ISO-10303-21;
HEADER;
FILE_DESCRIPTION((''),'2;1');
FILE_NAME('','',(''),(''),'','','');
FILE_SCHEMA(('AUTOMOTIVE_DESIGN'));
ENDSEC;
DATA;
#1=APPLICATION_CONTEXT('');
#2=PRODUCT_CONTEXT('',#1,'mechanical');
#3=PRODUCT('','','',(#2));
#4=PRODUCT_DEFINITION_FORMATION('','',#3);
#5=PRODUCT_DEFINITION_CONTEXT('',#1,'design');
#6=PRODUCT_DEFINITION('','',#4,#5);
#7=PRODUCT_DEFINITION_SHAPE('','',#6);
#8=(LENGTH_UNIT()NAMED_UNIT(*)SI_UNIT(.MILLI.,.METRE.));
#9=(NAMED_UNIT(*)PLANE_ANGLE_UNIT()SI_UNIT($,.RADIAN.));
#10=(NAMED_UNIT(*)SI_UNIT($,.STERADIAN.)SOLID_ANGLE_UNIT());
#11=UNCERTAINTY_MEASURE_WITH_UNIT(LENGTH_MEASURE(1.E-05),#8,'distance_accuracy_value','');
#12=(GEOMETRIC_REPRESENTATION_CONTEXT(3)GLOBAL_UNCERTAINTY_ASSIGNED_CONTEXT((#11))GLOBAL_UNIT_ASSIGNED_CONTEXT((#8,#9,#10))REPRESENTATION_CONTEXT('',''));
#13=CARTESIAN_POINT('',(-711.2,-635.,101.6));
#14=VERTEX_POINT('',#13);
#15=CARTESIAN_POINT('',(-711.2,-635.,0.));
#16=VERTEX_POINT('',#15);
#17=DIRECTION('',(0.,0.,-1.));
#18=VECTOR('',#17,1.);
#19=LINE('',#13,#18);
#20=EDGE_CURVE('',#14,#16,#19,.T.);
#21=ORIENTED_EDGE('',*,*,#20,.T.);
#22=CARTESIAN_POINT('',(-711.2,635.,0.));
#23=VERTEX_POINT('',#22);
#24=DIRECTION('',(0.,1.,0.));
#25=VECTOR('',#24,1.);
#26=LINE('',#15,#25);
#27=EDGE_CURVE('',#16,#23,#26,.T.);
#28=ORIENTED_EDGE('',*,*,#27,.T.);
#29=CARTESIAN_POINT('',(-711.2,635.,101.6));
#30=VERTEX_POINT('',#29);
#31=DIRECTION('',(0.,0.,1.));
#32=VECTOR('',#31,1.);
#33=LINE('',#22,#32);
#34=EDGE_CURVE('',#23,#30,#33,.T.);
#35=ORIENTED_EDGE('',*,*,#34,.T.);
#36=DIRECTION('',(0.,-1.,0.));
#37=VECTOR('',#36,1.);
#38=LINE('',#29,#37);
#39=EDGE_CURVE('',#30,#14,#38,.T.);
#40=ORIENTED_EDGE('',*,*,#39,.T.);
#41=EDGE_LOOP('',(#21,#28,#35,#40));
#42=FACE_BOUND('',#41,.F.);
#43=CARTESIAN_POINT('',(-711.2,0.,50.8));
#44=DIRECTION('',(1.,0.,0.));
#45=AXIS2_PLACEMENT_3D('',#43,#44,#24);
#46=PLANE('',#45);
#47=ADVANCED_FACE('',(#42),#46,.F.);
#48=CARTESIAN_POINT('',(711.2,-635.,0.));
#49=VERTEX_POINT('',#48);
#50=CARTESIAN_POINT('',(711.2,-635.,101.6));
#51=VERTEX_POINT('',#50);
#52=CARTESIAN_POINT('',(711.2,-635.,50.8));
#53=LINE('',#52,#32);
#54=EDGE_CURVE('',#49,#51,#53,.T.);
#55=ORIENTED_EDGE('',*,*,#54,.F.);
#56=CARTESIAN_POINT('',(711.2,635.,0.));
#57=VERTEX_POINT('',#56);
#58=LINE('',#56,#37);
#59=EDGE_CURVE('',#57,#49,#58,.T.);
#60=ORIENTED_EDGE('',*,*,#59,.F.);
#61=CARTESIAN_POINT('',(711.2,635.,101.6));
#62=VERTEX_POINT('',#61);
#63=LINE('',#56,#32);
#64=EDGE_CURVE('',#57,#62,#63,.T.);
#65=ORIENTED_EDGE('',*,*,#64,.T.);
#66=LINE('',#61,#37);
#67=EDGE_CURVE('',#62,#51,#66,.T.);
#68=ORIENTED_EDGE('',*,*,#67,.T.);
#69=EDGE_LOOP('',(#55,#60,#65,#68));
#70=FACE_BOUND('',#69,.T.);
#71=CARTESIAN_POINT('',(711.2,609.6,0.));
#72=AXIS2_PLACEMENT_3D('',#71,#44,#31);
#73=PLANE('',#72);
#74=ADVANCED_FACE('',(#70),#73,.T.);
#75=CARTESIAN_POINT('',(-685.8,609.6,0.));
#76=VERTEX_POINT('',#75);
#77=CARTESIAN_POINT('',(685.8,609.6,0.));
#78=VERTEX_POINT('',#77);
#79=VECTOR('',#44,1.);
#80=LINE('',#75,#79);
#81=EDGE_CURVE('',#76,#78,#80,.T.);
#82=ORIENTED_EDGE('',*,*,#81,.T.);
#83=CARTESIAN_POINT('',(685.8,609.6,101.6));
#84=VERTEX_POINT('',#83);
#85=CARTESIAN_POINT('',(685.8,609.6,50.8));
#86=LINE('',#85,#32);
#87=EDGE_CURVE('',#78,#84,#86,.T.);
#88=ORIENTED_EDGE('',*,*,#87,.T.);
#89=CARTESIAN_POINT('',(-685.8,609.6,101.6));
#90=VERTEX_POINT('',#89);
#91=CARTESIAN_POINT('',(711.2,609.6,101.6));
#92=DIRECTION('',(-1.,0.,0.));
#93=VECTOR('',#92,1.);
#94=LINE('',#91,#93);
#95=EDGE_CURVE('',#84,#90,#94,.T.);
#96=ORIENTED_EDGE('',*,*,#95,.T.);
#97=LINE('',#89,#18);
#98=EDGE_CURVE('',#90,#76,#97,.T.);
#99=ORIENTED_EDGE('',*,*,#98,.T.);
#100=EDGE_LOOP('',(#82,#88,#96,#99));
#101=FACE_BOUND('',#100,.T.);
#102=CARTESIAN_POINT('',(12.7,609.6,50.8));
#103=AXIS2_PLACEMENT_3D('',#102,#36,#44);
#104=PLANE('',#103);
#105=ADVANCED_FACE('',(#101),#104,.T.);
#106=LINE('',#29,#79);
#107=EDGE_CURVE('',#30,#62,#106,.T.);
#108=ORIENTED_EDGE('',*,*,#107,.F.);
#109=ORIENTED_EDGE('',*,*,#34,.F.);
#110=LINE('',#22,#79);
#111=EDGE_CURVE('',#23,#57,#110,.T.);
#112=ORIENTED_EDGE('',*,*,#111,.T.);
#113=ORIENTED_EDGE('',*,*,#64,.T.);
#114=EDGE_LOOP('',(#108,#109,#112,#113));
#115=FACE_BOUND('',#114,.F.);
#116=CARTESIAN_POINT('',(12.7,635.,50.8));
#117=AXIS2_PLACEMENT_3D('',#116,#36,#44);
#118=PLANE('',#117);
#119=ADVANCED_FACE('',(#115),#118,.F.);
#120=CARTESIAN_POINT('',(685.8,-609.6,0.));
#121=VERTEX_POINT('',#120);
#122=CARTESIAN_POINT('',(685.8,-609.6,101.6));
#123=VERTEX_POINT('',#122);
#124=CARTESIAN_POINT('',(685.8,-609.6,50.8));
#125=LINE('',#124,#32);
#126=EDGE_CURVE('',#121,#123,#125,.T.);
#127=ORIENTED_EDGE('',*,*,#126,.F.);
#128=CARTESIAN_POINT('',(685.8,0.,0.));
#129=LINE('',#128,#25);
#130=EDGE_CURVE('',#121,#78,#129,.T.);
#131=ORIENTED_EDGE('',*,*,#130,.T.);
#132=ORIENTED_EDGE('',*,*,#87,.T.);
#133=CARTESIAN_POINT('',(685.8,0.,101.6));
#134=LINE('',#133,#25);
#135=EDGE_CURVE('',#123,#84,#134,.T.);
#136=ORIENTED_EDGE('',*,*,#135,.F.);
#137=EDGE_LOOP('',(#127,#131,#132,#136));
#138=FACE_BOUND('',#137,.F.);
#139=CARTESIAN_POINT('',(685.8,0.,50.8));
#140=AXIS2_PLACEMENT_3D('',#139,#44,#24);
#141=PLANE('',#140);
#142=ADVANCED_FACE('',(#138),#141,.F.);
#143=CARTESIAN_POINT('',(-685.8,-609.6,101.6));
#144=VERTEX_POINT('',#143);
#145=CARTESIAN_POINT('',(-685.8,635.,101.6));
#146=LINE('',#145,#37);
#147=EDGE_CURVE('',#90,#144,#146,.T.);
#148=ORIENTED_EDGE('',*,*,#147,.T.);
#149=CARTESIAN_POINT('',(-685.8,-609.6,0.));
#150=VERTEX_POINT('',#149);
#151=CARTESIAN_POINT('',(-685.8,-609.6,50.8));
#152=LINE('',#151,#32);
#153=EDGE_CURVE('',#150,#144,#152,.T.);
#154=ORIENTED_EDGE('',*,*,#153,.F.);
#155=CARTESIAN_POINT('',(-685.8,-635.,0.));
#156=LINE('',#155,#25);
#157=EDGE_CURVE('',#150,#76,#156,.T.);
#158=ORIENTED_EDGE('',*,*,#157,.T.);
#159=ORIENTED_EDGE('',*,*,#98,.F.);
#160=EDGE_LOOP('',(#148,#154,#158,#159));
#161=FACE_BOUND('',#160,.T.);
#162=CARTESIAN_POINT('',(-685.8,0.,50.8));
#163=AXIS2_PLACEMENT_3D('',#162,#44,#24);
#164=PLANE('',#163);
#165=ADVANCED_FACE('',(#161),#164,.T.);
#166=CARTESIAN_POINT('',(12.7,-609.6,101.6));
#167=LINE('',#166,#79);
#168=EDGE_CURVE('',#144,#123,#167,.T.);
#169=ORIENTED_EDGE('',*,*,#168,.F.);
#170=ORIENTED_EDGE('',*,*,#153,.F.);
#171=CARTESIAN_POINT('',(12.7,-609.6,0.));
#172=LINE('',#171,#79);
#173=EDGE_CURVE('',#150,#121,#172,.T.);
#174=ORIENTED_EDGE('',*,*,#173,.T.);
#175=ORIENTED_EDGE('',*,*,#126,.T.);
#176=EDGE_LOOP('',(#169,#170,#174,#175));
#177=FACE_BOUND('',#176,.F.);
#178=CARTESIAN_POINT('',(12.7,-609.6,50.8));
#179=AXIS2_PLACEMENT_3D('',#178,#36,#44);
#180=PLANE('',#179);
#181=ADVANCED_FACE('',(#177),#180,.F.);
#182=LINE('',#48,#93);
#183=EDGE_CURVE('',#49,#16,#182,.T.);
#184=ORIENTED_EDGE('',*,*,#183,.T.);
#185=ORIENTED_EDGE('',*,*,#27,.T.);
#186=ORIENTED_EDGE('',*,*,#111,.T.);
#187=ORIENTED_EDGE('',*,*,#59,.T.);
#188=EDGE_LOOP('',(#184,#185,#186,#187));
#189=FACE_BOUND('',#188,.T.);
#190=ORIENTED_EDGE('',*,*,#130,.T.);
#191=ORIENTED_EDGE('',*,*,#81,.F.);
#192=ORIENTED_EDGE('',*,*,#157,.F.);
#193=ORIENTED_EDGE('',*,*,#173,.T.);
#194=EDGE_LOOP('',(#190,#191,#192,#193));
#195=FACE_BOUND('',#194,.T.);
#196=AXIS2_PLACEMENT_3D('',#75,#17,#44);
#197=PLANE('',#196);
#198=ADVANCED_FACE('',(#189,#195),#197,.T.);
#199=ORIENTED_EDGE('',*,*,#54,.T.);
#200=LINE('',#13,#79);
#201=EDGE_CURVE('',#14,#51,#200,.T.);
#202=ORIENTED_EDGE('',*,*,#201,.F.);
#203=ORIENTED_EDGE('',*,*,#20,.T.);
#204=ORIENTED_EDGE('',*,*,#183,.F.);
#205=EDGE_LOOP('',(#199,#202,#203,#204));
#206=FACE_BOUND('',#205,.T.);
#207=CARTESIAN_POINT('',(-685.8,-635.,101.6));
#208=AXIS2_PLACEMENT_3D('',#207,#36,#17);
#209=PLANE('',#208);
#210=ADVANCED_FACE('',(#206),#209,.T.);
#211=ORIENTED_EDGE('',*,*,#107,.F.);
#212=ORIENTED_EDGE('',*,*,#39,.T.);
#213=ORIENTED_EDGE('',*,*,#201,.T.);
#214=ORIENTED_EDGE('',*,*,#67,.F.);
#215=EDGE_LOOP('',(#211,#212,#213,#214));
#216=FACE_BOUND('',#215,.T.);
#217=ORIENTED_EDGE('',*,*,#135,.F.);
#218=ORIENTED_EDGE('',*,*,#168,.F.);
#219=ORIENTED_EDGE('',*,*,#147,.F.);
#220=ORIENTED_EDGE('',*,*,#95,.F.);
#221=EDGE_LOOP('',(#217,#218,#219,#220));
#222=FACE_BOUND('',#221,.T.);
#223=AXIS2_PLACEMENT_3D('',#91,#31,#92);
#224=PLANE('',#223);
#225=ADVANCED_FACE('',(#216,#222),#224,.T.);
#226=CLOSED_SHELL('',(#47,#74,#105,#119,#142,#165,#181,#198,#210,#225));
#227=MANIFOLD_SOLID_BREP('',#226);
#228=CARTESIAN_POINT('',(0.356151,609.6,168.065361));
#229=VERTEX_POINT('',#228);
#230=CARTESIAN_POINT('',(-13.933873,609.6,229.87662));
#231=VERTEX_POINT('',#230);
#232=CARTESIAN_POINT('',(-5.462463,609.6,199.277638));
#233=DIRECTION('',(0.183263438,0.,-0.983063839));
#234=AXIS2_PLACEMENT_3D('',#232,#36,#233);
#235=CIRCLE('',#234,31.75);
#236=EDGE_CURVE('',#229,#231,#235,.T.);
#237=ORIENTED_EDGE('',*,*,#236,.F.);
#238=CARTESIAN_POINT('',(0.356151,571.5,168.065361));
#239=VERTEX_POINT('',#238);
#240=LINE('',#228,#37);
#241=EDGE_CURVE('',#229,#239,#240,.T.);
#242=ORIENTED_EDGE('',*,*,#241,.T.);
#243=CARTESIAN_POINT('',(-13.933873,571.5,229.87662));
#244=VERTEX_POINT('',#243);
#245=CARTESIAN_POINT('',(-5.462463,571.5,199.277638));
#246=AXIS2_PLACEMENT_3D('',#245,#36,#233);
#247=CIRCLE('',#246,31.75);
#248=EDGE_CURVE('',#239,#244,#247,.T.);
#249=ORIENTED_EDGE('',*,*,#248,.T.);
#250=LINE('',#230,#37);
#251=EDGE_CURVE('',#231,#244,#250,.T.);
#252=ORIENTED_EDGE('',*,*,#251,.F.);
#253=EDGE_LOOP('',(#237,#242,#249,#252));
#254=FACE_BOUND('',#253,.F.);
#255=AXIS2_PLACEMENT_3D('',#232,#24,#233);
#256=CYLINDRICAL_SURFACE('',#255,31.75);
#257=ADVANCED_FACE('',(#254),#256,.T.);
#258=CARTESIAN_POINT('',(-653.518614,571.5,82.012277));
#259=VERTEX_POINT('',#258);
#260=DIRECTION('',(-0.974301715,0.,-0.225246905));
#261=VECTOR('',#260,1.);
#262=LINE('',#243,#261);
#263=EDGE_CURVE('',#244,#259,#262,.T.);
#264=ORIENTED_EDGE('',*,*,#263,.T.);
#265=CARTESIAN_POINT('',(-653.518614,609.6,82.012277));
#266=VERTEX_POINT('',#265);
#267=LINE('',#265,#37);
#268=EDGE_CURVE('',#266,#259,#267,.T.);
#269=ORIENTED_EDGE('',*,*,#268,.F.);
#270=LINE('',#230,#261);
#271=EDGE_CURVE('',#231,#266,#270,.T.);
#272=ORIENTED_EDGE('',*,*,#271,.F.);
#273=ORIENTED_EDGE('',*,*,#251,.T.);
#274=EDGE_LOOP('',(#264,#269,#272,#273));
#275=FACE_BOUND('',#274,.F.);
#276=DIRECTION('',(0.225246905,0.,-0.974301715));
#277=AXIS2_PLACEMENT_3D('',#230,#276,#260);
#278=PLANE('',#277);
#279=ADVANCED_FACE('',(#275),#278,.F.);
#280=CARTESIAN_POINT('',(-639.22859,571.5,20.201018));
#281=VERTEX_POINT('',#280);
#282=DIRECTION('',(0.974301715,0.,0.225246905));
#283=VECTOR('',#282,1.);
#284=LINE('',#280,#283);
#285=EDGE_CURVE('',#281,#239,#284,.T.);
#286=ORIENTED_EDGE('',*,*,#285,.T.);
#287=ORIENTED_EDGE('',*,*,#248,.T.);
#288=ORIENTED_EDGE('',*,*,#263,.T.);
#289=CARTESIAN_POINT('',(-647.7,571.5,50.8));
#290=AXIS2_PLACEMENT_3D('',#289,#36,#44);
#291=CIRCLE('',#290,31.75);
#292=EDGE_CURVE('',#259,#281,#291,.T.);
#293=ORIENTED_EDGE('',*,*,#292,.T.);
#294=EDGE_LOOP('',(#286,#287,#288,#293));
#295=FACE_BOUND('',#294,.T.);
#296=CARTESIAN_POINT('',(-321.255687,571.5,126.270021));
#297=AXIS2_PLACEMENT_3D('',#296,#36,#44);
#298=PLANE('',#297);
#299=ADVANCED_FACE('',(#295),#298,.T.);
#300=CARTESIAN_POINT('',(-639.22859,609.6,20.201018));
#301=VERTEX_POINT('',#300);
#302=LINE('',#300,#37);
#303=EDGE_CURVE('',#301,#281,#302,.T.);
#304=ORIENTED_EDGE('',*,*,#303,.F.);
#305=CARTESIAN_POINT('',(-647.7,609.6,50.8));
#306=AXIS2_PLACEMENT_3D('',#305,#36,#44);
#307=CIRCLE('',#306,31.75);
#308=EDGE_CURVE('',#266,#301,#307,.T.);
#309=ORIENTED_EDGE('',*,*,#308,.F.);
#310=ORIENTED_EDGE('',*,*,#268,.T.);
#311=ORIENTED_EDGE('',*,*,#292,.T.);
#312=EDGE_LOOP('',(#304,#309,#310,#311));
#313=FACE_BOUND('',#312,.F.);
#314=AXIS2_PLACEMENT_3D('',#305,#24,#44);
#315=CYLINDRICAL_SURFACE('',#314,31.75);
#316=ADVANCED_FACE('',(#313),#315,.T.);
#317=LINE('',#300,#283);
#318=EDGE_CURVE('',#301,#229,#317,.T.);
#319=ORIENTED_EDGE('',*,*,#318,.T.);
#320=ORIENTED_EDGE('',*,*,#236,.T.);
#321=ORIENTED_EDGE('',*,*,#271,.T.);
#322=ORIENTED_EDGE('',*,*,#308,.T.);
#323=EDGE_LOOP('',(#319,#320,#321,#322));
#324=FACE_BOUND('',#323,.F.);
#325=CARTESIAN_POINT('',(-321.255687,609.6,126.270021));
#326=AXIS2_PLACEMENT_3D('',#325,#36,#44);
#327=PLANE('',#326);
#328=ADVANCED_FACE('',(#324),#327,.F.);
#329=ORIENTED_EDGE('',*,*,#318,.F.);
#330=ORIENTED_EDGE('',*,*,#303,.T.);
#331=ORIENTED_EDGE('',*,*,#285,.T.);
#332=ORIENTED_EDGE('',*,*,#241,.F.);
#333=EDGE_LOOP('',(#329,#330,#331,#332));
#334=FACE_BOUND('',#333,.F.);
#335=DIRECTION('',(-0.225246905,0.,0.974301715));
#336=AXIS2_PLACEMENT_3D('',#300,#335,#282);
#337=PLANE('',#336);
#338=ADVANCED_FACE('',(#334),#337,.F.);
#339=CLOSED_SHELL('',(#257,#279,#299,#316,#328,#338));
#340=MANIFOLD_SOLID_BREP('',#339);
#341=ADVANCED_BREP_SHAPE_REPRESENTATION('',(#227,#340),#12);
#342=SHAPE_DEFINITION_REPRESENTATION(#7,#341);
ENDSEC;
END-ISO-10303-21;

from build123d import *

# Parameters (mm, degrees)
F11_DEPTH = 38.1
F9_R      = 31.75
F12_DEPTH = 38.1
F4_W      = 1219.2
F4_H      = 101.6
F14_DEPTH = 25.4
F2_W      = 1397
F2_H      = 101.6
F15_DEPTH = 25.4
F16_DEPTH = 25.4
F17_DEPTH = 25.4


with BuildPart() as f11:
    # F10 (on offset) → F11 (new body)
    with BuildSketch(Plane.XZ.offset(-609.6)):
        with BuildLine():
            Line((-13.9338732219, 229.8766201204), (-653.518614158, 82.0122769))
            Line((-653.518614158, 82.0122769), (-639.2285902444, 20.201017717))
            Line((-639.2285902444, 20.201017717), (0.3561506917, 168.0653609375))
            ThreePointArc((0.3561506917, 168.0653609375), (-36.3965429187, 192.1260486131), (-13.9338732219, 229.8766201204))
        make_face()
        with BuildLine():
            ThreePointArc((26.2875365337, 199.2776378375), (13.7611579441, 224.5464898072), (-13.9338732219, 229.8766201204))
            ThreePointArc((-13.9338732219, 229.8766201204), (-36.3965429187, 192.1260486131), (0.3561506917, 168.0653609375))
            ThreePointArc((0.3561506917, 168.0653609375), (18.9588745347, 178.9882132463), (26.2875365337, 199.2776378375))
        make_face()
    extrude(amount=F11_DEPTH)

    # F9 (on face) → F12 (join)
    with BuildSketch(Plane.XZ.offset(-609.6)):
        with Locations((-647.7, 50.8)):
            Circle(F9_R)
    extrude(amount=F12_DEPTH)


with BuildPart() as f14:
    # F4 (on offset) → F14 (new body)
    with BuildSketch(Plane.YZ.offset(685.8)):
        with Locations((0, 50.8)):
            Rectangle(F4_W, F4_H)
    extrude(amount=F14_DEPTH)

    # F2 (on offset) → F15 (join)
    with BuildSketch(Plane.XZ.offset(609.6)):
        with Locations((12.7, 50.8)):
            Rectangle(F2_W, F2_H)
    extrude(amount=F15_DEPTH)

    # F8 (on offset) → F16 (join)
    with BuildSketch(Plane.YZ.offset(-685.8)):
        Polygon((-609.6, 0), (635, 0), (635, 101.6), (-609.6, 101.6), (-635, 101.6), (-635, 0), align=None)
    extrude(amount=-F16_DEPTH)

    # F7 (on offset) → F17 (join)
    with BuildSketch(Plane.XZ.offset(-609.6)):
        Polygon((-685.8, 0), (685.8, 0), (711.2, 0), (711.2, 101.6), (685.8, 101.6), (-685.8, 101.6), align=None)
    extrude(amount=-F17_DEPTH)


solid = Compound([f11.part, f14.part])
